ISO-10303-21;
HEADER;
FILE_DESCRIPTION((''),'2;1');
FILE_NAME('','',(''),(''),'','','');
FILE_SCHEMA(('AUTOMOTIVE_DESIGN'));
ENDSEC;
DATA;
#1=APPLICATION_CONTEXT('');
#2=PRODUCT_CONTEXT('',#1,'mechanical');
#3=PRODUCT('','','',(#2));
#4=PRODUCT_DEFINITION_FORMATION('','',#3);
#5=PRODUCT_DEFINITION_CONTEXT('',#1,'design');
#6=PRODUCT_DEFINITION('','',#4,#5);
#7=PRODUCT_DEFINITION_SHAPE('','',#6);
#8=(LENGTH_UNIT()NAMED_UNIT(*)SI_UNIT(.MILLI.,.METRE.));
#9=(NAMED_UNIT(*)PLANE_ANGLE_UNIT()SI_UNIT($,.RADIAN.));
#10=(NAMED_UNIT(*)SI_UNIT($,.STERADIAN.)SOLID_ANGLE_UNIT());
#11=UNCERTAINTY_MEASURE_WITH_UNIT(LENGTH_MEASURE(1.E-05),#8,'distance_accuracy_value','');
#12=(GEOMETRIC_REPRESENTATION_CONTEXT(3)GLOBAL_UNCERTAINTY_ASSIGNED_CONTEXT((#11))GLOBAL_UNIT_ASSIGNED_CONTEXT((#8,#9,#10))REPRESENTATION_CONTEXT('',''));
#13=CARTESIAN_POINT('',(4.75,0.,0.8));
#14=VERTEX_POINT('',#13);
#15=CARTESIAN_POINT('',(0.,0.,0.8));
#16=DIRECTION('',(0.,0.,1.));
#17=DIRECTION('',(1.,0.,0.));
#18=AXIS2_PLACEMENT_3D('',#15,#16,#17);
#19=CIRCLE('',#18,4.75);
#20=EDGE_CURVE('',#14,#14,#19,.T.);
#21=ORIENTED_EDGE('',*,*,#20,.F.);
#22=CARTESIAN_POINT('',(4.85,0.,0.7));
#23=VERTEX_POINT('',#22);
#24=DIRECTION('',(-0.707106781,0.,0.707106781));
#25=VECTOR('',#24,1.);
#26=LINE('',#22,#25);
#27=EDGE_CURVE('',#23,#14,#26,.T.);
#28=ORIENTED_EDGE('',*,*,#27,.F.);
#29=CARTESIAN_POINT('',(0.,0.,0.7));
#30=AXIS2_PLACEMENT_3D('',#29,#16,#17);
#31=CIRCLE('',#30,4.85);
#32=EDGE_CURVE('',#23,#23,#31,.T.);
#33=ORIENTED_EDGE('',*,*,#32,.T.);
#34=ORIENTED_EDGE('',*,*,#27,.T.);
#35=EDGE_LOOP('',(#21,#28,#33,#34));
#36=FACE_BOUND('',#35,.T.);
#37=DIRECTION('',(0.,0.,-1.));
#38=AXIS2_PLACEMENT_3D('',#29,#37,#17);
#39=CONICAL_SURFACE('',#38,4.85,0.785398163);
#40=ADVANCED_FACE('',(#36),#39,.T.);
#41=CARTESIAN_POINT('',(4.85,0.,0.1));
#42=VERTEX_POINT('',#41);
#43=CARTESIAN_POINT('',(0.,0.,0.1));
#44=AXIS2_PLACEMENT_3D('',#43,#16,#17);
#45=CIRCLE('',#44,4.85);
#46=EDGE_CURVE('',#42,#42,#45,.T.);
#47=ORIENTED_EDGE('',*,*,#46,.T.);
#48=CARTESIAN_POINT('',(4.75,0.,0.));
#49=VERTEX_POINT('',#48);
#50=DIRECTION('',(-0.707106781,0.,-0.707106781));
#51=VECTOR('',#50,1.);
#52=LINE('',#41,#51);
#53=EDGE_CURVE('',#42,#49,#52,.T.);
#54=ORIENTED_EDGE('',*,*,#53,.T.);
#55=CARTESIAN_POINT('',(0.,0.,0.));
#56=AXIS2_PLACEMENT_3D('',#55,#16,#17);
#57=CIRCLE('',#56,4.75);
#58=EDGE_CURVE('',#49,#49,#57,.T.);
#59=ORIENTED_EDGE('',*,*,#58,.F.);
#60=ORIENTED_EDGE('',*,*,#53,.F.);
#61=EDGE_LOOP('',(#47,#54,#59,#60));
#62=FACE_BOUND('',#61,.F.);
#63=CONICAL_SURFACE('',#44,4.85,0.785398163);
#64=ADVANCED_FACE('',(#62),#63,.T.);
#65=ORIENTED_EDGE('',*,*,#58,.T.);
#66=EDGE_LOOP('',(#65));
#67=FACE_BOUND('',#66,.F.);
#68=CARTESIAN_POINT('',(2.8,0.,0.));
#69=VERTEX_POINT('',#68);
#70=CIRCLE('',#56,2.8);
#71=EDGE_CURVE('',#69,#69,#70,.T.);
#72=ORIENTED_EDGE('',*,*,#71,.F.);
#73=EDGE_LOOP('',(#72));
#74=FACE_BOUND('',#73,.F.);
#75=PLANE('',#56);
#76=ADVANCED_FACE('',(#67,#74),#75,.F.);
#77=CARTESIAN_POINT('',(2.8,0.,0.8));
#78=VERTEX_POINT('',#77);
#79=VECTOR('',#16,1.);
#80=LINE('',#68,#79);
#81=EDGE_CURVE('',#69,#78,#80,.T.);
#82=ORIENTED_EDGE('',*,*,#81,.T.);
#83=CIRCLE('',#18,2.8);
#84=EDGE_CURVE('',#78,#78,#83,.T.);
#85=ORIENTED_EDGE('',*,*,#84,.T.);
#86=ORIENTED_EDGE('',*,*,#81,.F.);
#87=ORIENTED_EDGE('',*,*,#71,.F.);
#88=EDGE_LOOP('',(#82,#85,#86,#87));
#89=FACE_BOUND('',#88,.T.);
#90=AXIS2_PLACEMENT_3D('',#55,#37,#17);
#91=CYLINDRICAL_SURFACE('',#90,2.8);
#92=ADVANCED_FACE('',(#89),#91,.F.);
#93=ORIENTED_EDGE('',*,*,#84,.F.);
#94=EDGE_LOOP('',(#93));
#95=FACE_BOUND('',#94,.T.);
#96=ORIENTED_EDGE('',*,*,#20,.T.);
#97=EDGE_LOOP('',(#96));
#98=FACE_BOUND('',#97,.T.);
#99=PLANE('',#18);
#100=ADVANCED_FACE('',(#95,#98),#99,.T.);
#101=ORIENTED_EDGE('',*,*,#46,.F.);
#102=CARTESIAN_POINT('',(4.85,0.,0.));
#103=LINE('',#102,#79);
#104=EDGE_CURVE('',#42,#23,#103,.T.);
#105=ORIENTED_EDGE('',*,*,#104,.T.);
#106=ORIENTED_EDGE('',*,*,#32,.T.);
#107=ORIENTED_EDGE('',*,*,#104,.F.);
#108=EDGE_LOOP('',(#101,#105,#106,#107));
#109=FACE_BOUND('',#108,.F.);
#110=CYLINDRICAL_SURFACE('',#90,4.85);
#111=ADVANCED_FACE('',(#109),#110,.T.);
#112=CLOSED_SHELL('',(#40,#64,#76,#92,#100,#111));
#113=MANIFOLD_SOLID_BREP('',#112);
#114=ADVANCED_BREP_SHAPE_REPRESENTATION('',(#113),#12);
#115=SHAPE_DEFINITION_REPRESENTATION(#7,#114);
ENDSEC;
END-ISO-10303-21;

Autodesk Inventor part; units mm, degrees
ref_plane "YZ Plane" through (0, 0, 0) normal (1, 0, 0) x (0, 1, 0)
ref_plane "XZ Plane" through (0, 0, 0) normal (0, 1, 0) x (-1, 0, 0)
ref_plane "XY Plane" through (0, 0, 0) normal (0, 0, 1) x (1, 0, 0)
sketch "スケッチ1" plane through (0, 0, 0) normal (0, 0, 1) x (1, 0, 0)
  circle A0 centre (0, 0) radius 4.85
  circle A1 centre (0, 0) radius 2.8
  dimension "d0" = 9.7
  dimension "d1" = 5.6
extrude "押し出し1" add sketch "スケッチ1" along normal blind 0.8
chamfer "面取り1" distance 0.1 angle 45 2 edges at (-4.85, 0, 0.8) (-4.85, 0, 0)
properties part number "washer_M5" material "鉄、ねずみ鋳鉄"
